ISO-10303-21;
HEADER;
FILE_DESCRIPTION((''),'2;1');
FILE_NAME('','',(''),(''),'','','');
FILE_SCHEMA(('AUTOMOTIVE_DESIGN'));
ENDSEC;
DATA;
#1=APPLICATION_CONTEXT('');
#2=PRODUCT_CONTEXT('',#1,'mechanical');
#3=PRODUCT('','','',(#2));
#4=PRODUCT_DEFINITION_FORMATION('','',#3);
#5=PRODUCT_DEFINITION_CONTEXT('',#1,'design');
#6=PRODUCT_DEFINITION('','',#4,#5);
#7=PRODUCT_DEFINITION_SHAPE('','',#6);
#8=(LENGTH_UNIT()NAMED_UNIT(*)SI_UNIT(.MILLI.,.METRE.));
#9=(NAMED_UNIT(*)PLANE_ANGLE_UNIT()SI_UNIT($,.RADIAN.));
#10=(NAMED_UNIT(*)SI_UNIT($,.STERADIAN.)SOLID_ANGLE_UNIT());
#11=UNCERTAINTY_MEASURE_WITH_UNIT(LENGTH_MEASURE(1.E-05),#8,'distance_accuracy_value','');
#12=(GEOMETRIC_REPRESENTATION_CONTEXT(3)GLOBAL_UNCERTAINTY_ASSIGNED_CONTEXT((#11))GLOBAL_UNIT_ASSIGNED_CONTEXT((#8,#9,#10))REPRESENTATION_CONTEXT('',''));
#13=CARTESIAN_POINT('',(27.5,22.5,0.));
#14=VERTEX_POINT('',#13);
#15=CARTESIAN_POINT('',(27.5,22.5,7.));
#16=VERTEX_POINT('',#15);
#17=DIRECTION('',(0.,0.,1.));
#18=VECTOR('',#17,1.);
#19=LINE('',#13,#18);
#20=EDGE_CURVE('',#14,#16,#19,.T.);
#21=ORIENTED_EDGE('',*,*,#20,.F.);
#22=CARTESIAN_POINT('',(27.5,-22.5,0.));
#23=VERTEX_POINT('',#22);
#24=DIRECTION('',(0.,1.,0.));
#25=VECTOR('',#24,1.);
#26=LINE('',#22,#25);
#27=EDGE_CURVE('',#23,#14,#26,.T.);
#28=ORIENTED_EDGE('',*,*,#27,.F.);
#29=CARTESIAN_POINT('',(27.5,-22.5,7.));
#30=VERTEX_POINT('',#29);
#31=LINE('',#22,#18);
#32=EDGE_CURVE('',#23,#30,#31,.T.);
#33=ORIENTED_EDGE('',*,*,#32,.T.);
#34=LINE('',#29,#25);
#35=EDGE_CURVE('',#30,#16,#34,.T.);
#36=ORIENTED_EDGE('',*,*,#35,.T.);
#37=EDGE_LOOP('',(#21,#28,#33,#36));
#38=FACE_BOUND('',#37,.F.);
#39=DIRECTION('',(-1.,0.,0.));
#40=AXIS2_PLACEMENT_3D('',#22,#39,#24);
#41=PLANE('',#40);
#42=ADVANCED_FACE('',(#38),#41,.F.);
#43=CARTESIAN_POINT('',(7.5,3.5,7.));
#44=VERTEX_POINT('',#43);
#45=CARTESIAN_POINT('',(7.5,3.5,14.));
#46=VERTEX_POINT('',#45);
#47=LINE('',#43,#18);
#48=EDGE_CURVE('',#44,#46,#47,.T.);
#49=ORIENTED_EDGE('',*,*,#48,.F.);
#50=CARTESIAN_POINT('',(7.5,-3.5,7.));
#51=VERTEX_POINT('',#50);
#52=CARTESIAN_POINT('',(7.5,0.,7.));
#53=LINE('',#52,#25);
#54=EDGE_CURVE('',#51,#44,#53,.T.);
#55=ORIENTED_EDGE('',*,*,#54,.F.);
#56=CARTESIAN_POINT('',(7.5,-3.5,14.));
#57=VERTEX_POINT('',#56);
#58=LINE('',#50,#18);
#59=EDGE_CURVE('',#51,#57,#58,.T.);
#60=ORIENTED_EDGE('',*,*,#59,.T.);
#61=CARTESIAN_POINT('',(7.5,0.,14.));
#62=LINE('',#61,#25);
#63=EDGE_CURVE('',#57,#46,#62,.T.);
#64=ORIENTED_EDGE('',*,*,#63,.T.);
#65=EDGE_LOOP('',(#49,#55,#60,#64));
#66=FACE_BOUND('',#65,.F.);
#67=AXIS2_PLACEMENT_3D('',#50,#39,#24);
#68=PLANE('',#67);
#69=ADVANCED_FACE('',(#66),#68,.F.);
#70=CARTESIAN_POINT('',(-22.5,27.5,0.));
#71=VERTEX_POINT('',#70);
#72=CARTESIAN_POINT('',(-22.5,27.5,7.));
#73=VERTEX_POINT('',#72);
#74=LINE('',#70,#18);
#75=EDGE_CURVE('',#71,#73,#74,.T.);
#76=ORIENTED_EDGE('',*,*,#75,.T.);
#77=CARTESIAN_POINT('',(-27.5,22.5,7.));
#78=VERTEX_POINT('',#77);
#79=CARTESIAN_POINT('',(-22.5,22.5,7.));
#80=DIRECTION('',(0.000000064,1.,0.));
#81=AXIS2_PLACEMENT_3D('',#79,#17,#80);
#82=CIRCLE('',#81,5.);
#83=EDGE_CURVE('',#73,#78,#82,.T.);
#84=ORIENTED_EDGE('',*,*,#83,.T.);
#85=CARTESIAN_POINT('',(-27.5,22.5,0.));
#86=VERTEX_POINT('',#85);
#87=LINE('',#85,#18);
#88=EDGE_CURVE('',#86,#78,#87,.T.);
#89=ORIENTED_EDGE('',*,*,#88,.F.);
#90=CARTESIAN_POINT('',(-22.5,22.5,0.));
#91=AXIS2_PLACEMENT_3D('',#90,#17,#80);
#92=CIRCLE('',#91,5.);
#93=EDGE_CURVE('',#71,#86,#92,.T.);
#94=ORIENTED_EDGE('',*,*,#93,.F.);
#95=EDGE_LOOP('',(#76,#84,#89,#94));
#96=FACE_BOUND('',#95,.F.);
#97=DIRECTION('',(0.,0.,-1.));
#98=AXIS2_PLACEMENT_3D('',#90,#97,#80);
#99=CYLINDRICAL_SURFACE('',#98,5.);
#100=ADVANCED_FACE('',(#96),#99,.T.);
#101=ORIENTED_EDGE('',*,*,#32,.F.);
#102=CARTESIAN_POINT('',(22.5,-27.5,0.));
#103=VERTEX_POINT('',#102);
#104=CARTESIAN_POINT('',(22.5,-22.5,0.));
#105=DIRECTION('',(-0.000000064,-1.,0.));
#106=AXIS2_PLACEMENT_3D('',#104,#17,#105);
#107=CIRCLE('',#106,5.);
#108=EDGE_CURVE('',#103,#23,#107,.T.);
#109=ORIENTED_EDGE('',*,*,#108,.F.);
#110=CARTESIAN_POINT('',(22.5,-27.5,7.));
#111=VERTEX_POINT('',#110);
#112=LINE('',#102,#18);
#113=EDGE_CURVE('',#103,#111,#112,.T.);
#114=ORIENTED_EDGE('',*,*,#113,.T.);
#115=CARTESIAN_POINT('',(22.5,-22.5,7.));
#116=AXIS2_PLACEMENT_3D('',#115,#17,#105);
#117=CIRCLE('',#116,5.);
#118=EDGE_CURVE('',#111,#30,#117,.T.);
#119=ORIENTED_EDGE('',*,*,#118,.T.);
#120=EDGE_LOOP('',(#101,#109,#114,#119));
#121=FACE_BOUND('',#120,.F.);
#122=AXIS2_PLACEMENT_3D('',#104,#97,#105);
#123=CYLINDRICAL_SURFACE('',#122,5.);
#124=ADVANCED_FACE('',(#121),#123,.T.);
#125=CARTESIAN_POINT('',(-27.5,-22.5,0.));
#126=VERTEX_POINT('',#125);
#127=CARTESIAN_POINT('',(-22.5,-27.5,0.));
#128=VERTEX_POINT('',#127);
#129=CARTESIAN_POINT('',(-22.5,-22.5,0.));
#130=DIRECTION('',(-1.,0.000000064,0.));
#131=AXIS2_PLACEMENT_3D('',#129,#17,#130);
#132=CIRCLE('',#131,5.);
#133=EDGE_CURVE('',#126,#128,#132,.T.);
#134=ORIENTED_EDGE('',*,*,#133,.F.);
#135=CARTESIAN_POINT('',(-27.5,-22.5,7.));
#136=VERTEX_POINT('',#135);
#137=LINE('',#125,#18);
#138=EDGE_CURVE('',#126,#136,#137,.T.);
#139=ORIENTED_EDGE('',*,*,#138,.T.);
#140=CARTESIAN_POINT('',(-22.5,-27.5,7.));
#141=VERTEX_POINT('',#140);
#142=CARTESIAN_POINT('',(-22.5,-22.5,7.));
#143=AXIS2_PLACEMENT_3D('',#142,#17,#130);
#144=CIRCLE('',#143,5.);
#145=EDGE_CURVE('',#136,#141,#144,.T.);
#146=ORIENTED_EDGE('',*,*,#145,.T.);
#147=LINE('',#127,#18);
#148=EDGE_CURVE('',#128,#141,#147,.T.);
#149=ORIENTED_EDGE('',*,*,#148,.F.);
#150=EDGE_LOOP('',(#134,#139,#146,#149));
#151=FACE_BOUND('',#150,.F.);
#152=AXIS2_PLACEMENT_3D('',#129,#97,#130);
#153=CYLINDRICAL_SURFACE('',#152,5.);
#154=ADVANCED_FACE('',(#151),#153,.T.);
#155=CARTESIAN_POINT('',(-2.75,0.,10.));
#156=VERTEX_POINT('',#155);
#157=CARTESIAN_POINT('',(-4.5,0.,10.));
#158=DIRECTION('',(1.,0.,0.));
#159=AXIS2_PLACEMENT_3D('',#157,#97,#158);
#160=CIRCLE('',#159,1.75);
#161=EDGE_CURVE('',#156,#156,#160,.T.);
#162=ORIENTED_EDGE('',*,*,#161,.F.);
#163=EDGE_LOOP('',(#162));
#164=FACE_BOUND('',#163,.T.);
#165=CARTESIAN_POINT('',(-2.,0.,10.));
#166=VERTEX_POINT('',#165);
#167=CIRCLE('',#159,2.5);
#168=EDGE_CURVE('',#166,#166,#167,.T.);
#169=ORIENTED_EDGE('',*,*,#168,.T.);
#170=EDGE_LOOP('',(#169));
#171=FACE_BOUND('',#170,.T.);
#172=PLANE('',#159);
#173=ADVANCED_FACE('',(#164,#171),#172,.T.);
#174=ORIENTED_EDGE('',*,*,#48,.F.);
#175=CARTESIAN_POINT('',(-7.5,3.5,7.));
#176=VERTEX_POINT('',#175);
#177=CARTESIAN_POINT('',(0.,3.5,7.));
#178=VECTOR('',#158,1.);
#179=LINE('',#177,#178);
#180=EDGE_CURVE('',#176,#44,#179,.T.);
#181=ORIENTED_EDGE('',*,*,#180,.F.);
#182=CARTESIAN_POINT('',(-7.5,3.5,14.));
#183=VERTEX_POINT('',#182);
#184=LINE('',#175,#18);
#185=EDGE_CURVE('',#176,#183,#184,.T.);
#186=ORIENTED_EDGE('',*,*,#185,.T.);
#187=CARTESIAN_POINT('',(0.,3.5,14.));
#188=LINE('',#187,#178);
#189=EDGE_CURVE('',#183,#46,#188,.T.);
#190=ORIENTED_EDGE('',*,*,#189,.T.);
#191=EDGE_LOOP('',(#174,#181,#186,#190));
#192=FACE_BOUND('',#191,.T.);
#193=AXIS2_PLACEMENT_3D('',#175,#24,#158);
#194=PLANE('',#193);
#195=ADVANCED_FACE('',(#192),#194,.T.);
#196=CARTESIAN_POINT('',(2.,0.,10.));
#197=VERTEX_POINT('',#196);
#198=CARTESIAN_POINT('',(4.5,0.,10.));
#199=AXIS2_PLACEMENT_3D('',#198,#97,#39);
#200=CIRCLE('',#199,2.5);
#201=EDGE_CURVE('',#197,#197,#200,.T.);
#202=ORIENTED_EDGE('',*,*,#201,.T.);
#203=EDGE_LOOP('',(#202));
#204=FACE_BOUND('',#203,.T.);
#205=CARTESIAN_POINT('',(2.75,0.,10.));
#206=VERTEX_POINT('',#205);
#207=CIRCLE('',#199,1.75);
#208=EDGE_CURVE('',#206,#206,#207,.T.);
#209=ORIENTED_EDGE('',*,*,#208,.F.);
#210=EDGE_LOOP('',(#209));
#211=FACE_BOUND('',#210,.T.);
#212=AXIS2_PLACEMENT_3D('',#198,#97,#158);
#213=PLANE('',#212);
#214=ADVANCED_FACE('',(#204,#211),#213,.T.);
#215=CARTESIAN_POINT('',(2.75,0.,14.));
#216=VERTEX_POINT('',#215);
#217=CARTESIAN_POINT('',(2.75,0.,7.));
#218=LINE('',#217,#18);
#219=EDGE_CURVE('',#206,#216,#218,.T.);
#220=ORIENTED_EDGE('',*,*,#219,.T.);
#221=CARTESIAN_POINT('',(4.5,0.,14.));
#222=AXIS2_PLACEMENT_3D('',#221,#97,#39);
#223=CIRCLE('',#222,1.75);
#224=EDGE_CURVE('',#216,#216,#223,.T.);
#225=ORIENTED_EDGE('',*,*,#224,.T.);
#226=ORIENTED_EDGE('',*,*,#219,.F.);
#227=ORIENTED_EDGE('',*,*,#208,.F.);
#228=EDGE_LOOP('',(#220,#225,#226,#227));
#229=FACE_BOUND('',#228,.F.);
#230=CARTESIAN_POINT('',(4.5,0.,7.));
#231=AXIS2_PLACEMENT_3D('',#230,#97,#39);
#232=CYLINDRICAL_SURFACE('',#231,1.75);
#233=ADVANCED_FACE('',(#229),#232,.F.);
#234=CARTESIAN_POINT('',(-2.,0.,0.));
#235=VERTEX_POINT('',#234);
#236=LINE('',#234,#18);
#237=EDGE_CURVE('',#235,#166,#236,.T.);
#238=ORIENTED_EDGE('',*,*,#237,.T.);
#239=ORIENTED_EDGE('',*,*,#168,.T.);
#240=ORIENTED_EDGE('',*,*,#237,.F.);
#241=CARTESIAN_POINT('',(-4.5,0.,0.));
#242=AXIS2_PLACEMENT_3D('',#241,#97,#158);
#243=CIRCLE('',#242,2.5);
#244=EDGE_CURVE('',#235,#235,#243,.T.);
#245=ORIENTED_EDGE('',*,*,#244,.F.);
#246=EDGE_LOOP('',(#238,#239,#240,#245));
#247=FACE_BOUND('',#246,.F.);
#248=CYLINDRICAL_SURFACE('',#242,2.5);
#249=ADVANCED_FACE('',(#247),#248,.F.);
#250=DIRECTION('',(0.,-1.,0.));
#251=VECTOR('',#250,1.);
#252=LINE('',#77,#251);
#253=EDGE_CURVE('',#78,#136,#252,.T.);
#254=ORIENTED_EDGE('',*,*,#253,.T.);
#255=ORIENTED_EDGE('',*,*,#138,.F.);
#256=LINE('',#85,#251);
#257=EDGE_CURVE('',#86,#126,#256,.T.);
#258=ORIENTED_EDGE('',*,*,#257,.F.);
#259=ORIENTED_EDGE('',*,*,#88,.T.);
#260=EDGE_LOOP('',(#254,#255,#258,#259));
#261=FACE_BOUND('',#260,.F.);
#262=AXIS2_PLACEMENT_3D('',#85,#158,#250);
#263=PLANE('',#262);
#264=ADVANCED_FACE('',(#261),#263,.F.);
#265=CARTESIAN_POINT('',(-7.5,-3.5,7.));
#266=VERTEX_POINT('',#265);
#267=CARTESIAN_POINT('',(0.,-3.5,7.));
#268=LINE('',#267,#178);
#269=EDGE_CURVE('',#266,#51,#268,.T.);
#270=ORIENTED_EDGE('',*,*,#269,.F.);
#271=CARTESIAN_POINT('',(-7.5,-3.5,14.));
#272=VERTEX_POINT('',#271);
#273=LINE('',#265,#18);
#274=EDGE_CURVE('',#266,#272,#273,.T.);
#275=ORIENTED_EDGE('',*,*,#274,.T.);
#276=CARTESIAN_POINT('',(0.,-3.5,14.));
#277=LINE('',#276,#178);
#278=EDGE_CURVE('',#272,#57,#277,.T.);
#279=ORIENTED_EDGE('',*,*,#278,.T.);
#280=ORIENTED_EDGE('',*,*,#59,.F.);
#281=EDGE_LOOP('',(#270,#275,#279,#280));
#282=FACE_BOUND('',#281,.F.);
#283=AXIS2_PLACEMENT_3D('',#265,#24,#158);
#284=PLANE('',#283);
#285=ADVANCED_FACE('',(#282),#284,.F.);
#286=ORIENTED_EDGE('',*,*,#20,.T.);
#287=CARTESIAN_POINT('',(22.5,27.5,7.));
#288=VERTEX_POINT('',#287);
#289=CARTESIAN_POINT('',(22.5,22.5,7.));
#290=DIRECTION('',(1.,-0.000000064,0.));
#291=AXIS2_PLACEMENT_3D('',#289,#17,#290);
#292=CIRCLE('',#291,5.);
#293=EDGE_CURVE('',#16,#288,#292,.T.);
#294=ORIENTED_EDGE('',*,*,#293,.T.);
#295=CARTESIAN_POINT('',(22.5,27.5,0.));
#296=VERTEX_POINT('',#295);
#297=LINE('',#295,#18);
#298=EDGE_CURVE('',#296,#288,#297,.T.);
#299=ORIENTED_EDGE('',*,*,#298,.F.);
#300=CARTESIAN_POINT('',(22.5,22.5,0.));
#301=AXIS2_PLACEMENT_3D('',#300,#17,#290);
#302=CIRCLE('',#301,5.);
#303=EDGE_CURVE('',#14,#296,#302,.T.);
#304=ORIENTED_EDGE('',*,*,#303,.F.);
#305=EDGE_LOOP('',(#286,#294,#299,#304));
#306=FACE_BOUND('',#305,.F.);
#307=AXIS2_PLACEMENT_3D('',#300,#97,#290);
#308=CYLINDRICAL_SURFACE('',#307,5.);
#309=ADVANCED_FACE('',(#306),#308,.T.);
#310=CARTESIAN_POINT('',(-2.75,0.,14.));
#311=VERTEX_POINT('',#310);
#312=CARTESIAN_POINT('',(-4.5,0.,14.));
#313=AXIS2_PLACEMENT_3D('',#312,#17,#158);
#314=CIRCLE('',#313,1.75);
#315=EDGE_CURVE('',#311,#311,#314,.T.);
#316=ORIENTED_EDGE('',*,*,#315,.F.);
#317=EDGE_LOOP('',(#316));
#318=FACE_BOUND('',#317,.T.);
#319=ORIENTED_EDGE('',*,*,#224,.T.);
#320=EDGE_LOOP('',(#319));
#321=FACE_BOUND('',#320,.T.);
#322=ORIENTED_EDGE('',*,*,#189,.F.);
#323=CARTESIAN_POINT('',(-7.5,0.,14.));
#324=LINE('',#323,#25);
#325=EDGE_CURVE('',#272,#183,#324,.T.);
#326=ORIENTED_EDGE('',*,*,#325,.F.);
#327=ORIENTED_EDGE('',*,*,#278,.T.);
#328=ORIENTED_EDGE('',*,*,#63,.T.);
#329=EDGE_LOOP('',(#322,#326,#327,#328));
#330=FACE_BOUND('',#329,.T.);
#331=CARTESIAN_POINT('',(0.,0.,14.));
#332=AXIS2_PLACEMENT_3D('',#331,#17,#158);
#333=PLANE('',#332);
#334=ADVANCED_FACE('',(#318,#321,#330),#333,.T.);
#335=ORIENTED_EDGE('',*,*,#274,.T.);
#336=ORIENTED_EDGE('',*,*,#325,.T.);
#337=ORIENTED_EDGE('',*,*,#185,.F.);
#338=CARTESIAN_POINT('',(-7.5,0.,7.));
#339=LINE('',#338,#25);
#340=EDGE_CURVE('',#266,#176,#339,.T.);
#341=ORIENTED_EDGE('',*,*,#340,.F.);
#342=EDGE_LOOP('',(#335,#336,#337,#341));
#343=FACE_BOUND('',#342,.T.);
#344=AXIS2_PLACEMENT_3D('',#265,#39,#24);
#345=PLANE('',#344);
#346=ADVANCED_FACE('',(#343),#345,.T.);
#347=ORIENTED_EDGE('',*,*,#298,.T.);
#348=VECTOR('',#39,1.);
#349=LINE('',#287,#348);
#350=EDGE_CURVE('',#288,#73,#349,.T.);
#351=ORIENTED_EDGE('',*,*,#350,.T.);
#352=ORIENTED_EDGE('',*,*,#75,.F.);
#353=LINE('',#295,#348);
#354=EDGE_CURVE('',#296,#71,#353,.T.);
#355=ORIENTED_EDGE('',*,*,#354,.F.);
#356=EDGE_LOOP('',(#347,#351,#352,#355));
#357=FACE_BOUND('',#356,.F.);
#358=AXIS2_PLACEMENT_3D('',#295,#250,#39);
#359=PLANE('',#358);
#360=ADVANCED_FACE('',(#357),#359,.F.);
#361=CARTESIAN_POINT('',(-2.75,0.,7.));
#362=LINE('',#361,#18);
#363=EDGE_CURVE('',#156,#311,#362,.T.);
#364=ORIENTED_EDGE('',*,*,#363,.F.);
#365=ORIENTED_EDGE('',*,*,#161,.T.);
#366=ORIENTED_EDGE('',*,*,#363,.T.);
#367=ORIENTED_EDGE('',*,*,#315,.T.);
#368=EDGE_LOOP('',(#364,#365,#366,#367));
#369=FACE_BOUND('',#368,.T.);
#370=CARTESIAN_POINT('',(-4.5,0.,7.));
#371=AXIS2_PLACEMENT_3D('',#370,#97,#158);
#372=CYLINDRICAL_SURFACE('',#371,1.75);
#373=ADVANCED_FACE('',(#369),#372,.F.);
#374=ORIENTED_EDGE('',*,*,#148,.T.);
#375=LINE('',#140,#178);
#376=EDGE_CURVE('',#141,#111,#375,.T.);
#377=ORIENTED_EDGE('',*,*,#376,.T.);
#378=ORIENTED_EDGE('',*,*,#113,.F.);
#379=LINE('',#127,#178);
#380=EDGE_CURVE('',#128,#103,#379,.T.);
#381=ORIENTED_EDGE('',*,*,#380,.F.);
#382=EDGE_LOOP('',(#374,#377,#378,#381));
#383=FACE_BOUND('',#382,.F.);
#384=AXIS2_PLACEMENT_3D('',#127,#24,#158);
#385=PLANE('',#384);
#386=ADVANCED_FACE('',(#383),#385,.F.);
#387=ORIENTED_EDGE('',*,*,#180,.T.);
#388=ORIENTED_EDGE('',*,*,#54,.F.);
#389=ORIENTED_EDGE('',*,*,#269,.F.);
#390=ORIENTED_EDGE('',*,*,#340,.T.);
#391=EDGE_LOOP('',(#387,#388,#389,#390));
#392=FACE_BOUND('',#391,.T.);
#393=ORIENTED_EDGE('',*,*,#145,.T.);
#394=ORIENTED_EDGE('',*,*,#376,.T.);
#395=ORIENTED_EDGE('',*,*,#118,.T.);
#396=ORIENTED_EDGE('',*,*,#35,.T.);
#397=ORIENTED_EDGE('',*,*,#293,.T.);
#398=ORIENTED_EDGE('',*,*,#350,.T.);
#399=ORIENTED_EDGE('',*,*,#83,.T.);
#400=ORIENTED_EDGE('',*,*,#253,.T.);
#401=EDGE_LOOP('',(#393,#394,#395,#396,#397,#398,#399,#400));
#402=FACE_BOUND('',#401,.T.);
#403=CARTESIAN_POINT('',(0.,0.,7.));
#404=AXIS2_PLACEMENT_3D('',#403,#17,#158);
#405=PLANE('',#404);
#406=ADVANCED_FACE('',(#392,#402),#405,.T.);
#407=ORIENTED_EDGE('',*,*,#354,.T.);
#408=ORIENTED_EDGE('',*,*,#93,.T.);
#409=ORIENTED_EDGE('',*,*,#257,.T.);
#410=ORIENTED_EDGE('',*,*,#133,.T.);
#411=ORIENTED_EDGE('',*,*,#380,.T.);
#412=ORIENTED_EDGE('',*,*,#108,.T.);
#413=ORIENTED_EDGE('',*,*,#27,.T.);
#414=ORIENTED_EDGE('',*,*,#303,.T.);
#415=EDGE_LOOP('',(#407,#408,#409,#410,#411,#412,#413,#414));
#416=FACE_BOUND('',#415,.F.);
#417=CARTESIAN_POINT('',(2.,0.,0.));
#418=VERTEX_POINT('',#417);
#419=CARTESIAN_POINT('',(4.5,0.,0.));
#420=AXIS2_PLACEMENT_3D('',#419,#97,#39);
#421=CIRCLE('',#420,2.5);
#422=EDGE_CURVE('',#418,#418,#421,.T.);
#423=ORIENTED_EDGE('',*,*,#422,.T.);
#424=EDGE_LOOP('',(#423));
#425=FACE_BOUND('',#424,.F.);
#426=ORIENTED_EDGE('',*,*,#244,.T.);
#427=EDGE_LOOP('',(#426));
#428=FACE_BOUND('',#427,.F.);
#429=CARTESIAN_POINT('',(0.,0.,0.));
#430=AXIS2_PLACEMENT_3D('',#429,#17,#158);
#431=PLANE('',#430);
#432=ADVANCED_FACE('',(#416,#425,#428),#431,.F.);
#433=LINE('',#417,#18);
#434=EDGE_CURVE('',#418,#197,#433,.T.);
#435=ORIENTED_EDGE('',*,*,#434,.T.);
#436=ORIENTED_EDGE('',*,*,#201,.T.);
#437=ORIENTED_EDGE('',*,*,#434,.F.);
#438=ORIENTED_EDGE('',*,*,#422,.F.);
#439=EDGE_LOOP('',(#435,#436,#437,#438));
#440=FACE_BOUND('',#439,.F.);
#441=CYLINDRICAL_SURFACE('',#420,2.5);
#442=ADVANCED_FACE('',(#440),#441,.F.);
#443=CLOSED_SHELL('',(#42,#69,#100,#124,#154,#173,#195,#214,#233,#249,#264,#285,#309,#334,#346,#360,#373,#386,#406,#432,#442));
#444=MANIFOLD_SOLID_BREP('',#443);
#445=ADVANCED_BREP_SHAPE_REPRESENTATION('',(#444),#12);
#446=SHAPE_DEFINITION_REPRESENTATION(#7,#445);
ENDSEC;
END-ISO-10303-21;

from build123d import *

# Parameters (mm, degrees)
F1_DEPTH = 7
F2_W     = 15
F2_H     = 7
F2_R     = 1.75
F3_DEPTH = 7
F4_R     = 2.5
F5_DEPTH = 10


with BuildPart() as f1:
    # F0 (on Top) → F1 (new body)
    with BuildSketch(Plane.XY):
        with BuildLine():
            ThreePointArc((27.5, 22.5), (26.035534, 26.035534), (22.5, 27.5))
            Line((22.5, 27.5), (-22.5, 27.5))
            ThreePointArc((-22.5, 27.5), (-26.035534, 26.035534), (-27.5, 22.5))
            Line((-27.5, 22.5), (-27.5, -22.5))
            ThreePointArc((-27.5, -22.5), (-26.035534, -26.035534), (-22.5, -27.5))
            Line((-22.5, -27.5), (22.5, -27.5))
            ThreePointArc((22.5, -27.5), (26.035534, -26.035534), (27.5, -22.5))
            Line((27.5, -22.5), (27.5, 22.5))
        make_face()
    extrude(amount=F1_DEPTH)

    # F2 (on face) → F3 (join)
    with BuildSketch(Plane.XY.offset(7)):
        Rectangle(F2_W, F2_H)
        with Locations((-4.5, 0)):
            Circle(F2_R, mode=Mode.SUBTRACT)
        with BuildLine():
            ThreePointArc((6.25, 0), (4.5, -1.75), (2.75, 0))
            ThreePointArc((2.75, 0), (4.5, 1.75), (6.25, 0))
        make_face(mode=Mode.SUBTRACT)
    extrude(amount=F3_DEPTH)

    # F4 (on face) → F5 (cut)
    with BuildSketch(Plane(origin=(0, 0, 0), x_dir=(1, 0, 0), z_dir=(0, 0, -1))):
        with Locations((-4.5, 0)):
            Circle(F4_R)
        with BuildLine():
            ThreePointArc((7, 0), (4.5, 2.5), (2, 0))
            ThreePointArc((2, 0), (4.5, -2.5), (7, 0))
        make_face()
    extrude(amount=-F5_DEPTH, mode=Mode.SUBTRACT)


solid = f1.part
